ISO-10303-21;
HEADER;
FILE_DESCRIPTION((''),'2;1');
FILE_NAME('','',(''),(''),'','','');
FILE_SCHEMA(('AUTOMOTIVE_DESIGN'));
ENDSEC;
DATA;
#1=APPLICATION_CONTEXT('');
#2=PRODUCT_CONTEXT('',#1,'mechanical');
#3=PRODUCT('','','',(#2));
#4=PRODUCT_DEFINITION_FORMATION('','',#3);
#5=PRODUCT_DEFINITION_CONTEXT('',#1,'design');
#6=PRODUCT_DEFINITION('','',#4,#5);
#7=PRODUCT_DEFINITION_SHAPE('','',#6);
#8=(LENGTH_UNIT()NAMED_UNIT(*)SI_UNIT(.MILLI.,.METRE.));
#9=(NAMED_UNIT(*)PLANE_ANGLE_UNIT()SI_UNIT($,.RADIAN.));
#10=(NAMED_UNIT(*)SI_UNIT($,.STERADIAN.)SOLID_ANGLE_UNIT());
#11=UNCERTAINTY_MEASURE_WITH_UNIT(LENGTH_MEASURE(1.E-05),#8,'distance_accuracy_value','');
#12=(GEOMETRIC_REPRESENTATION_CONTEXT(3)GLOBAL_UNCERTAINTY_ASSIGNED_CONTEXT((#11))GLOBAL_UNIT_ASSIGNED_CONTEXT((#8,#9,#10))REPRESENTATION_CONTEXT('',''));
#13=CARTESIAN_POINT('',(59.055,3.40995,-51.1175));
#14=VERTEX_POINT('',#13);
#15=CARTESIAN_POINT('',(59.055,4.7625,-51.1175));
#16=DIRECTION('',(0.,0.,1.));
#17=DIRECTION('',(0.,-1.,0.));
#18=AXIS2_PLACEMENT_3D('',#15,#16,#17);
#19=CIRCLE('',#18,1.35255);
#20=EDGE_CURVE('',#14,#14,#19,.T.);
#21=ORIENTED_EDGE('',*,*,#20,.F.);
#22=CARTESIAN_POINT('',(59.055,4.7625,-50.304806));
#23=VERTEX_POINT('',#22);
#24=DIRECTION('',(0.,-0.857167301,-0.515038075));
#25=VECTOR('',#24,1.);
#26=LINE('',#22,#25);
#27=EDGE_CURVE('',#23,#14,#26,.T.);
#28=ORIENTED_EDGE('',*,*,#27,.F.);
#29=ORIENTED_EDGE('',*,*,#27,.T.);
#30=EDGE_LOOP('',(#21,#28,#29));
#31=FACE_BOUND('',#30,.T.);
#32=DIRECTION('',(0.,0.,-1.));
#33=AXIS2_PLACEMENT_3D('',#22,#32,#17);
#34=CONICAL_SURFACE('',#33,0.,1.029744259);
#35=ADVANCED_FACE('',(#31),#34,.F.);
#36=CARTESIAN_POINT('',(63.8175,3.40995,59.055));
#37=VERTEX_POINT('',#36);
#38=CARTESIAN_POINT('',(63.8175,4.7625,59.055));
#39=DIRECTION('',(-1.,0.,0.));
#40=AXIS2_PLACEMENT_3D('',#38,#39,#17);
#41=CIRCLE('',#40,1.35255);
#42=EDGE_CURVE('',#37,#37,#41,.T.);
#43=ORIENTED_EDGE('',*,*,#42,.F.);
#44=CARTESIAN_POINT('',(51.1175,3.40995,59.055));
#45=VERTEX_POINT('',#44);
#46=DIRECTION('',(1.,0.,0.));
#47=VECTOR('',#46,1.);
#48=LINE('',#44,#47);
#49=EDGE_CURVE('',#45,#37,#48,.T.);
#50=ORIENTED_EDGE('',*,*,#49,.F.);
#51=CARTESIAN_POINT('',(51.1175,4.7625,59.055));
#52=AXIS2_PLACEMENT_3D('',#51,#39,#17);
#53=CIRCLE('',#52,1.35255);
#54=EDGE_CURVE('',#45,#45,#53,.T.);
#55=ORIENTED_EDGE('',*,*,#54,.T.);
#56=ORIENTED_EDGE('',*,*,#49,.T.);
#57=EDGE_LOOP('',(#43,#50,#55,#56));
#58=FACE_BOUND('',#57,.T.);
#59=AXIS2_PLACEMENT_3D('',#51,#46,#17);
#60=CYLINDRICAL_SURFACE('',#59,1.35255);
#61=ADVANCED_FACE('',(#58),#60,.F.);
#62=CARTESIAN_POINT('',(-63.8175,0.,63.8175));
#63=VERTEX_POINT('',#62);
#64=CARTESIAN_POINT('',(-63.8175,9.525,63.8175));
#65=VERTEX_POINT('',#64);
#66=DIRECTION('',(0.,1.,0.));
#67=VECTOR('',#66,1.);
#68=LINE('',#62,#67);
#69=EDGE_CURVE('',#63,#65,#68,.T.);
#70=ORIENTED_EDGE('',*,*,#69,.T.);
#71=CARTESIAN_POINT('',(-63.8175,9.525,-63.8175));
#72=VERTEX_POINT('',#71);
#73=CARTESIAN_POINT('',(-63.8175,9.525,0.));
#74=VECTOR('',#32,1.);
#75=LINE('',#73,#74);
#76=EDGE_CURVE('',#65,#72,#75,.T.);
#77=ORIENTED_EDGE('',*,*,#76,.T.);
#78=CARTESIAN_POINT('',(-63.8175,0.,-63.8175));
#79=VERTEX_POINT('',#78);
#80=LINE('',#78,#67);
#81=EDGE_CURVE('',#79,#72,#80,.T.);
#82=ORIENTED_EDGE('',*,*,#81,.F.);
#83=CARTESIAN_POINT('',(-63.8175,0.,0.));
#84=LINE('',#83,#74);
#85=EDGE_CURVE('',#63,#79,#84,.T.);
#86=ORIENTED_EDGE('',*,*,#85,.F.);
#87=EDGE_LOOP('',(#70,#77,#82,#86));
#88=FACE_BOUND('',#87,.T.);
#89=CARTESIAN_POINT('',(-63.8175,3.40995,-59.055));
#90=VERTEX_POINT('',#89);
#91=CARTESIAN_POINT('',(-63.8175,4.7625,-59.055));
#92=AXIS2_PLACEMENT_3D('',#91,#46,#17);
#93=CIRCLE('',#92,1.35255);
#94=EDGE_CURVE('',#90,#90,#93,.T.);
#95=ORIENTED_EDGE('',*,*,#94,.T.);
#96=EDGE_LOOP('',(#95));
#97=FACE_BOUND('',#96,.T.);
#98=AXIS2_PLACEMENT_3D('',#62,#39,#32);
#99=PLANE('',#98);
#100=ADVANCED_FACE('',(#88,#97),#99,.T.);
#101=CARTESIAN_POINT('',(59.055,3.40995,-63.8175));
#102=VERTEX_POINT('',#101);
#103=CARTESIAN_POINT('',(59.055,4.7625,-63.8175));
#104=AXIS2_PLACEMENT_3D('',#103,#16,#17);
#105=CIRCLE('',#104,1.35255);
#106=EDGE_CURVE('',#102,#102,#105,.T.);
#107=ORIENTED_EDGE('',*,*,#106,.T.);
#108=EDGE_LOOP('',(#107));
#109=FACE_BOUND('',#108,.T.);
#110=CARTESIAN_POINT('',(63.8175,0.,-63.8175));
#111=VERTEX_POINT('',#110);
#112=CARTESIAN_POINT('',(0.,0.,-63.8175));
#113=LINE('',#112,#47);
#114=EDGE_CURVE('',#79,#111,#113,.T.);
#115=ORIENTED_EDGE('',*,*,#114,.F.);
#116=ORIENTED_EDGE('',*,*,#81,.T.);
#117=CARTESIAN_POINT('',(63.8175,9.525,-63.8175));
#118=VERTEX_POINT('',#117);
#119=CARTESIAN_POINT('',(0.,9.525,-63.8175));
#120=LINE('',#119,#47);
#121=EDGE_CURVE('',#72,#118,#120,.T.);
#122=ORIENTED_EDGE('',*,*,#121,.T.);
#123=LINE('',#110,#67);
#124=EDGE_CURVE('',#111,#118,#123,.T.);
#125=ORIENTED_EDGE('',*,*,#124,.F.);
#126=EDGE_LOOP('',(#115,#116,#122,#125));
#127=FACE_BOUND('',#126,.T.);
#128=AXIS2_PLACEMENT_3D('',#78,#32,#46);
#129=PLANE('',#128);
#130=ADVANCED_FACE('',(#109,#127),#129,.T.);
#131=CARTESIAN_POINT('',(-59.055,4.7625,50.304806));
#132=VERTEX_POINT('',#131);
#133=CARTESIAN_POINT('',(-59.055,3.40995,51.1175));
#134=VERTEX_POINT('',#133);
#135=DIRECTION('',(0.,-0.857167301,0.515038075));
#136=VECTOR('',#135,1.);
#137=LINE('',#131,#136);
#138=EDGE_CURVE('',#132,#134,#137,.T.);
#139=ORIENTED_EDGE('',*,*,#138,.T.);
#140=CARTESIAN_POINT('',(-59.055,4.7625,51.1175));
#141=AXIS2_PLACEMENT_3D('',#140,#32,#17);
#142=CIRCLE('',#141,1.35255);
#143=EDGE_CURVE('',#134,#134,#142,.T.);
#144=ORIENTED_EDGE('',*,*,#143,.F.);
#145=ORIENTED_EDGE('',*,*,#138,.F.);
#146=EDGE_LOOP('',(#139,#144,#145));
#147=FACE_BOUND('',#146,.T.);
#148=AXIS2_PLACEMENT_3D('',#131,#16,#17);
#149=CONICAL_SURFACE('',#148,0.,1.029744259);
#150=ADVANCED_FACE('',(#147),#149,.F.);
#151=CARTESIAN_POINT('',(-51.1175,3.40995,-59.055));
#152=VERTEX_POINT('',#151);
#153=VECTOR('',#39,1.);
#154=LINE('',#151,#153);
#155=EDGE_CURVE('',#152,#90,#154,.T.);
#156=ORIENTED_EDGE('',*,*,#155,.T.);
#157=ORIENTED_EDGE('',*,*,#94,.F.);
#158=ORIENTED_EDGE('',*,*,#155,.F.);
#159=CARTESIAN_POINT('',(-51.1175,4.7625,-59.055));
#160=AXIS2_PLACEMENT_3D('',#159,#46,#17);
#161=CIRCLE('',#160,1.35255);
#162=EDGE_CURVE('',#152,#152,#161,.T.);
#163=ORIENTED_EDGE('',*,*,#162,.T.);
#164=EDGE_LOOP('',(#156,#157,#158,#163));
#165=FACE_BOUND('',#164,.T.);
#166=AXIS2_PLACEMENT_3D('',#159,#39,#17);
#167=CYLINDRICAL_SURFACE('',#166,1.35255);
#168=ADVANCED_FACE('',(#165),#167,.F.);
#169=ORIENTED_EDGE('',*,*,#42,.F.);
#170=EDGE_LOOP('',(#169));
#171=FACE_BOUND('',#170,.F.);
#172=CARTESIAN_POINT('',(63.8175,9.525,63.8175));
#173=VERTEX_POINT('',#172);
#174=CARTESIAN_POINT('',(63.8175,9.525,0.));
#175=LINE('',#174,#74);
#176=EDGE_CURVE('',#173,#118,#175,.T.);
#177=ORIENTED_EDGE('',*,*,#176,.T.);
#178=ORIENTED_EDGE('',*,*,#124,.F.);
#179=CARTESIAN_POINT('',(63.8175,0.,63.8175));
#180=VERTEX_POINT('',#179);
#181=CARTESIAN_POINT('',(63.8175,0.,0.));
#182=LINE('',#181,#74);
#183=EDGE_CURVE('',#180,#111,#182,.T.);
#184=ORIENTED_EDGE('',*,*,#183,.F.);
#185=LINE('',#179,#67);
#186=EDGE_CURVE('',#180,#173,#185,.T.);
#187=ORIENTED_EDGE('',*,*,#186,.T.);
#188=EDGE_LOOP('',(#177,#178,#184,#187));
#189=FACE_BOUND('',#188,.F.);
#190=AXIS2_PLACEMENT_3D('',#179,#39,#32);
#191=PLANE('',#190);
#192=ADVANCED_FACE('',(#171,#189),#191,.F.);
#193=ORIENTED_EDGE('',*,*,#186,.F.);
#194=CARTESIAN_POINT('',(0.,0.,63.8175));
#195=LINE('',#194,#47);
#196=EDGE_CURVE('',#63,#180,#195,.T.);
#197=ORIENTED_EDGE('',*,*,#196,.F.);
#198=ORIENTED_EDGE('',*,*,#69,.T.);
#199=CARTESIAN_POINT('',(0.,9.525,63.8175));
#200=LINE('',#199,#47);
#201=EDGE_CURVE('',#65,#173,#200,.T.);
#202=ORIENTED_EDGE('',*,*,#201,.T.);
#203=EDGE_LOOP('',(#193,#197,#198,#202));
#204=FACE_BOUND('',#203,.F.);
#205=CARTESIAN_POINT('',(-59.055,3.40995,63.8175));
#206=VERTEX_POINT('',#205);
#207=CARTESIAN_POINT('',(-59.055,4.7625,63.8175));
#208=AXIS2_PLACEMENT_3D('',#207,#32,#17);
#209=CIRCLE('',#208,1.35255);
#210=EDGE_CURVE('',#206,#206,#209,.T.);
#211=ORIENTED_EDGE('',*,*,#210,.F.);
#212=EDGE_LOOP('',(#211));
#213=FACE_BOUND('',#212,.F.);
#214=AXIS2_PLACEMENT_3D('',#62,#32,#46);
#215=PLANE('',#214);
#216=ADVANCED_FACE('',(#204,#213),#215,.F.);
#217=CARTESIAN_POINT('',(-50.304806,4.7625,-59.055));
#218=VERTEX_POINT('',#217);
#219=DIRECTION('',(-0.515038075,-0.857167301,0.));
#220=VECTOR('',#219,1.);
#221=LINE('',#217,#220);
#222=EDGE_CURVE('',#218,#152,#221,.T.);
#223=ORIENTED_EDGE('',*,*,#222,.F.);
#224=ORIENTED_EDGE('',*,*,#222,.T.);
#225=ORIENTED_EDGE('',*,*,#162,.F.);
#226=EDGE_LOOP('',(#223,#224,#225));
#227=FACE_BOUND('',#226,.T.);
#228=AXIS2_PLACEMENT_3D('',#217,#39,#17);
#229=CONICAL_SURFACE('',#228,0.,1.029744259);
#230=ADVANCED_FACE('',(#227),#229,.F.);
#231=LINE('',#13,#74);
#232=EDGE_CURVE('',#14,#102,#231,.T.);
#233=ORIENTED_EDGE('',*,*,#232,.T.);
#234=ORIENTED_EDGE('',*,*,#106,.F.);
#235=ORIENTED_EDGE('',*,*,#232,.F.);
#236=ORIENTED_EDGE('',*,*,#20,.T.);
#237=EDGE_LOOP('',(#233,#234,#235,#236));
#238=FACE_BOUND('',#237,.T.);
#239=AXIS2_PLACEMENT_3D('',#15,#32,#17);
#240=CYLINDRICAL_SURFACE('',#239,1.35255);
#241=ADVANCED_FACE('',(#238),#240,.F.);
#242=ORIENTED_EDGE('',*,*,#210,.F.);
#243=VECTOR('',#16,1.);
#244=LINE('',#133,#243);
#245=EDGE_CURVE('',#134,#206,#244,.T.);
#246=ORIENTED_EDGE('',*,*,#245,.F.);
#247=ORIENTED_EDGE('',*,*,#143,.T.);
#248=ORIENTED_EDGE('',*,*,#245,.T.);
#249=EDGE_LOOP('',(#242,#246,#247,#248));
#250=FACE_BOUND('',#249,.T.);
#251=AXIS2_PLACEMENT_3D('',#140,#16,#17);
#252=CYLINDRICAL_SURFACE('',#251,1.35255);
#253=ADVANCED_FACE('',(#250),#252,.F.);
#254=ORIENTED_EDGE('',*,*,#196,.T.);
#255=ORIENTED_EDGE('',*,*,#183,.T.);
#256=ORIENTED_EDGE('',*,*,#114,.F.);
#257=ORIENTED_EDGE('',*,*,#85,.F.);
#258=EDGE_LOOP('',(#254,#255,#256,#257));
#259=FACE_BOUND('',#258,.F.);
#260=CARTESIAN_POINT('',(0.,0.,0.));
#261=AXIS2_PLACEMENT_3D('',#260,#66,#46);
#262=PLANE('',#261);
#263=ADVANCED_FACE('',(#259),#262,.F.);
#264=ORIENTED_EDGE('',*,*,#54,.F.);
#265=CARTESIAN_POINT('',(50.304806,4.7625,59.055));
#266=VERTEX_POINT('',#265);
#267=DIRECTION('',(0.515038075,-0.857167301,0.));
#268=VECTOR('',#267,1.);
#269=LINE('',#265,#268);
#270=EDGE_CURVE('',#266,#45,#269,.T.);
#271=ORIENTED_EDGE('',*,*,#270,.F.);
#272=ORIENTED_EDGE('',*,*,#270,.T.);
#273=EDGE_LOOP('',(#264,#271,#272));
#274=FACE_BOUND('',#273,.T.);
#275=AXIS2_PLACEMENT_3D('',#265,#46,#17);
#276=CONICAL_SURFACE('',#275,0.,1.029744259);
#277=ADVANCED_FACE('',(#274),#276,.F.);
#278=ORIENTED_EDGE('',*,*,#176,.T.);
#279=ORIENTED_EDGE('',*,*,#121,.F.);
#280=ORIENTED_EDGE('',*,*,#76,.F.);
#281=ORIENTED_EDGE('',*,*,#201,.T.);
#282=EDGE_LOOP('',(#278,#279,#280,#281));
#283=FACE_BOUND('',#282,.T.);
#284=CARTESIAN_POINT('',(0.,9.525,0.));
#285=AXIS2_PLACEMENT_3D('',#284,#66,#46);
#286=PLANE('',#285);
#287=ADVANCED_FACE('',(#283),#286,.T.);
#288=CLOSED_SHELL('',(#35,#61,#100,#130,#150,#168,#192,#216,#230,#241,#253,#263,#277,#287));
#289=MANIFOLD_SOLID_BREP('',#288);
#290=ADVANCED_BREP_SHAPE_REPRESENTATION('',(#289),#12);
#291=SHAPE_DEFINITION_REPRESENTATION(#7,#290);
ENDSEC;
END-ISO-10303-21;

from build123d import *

# Parameters (mm, degrees)
SKETCH1_W           = 127.635
SKETCH1_H           = 127.635
BOSS_EXTRUDE1_DEPTH = 9.525
CIRPATTERN1_COUNT   = 4


with BuildPart() as part:
    # Sketch1 → Boss-Extrude1 (new body)
    with BuildSketch(Plane(origin=(0, 0, 0), x_dir=(1, 0, 0), z_dir=(0, 1, 0))):
        Rectangle(SKETCH1_W, SKETCH1_H)
    extrude(amount=BOSS_EXTRUDE1_DEPTH)

    # Sketch8 → Tap Drill for #6-32 Tap1 (revolve, cut)
    with BuildSketch(Plane(origin=(-59.055, 4.7625, 63.8175), x_dir=(0, -1, 0), z_dir=(1, 0, 0))):
        Polygon((0, 0), (0, 13.51269403), (1.35255, 12.7), (1.35255, 0), align=None)
    tap_drill_for_6_32_tap1 = revolve(axis=Axis((-59.055, 4.7625, 70.1675), (0, 0, -1)), mode=Mode.SUBTRACT)

    # CirPattern1: Tap Drill for #6-32 Tap1 ×4 about axis
    cirpattern1_axis = Axis((0, 9.525, 0), (0, -1, 0))
    for i in range(1, CIRPATTERN1_COUNT):
        add(tap_drill_for_6_32_tap1.rotate(cirpattern1_axis, i * 360 / CIRPATTERN1_COUNT), mode=Mode.SUBTRACT)


solid = part.part
